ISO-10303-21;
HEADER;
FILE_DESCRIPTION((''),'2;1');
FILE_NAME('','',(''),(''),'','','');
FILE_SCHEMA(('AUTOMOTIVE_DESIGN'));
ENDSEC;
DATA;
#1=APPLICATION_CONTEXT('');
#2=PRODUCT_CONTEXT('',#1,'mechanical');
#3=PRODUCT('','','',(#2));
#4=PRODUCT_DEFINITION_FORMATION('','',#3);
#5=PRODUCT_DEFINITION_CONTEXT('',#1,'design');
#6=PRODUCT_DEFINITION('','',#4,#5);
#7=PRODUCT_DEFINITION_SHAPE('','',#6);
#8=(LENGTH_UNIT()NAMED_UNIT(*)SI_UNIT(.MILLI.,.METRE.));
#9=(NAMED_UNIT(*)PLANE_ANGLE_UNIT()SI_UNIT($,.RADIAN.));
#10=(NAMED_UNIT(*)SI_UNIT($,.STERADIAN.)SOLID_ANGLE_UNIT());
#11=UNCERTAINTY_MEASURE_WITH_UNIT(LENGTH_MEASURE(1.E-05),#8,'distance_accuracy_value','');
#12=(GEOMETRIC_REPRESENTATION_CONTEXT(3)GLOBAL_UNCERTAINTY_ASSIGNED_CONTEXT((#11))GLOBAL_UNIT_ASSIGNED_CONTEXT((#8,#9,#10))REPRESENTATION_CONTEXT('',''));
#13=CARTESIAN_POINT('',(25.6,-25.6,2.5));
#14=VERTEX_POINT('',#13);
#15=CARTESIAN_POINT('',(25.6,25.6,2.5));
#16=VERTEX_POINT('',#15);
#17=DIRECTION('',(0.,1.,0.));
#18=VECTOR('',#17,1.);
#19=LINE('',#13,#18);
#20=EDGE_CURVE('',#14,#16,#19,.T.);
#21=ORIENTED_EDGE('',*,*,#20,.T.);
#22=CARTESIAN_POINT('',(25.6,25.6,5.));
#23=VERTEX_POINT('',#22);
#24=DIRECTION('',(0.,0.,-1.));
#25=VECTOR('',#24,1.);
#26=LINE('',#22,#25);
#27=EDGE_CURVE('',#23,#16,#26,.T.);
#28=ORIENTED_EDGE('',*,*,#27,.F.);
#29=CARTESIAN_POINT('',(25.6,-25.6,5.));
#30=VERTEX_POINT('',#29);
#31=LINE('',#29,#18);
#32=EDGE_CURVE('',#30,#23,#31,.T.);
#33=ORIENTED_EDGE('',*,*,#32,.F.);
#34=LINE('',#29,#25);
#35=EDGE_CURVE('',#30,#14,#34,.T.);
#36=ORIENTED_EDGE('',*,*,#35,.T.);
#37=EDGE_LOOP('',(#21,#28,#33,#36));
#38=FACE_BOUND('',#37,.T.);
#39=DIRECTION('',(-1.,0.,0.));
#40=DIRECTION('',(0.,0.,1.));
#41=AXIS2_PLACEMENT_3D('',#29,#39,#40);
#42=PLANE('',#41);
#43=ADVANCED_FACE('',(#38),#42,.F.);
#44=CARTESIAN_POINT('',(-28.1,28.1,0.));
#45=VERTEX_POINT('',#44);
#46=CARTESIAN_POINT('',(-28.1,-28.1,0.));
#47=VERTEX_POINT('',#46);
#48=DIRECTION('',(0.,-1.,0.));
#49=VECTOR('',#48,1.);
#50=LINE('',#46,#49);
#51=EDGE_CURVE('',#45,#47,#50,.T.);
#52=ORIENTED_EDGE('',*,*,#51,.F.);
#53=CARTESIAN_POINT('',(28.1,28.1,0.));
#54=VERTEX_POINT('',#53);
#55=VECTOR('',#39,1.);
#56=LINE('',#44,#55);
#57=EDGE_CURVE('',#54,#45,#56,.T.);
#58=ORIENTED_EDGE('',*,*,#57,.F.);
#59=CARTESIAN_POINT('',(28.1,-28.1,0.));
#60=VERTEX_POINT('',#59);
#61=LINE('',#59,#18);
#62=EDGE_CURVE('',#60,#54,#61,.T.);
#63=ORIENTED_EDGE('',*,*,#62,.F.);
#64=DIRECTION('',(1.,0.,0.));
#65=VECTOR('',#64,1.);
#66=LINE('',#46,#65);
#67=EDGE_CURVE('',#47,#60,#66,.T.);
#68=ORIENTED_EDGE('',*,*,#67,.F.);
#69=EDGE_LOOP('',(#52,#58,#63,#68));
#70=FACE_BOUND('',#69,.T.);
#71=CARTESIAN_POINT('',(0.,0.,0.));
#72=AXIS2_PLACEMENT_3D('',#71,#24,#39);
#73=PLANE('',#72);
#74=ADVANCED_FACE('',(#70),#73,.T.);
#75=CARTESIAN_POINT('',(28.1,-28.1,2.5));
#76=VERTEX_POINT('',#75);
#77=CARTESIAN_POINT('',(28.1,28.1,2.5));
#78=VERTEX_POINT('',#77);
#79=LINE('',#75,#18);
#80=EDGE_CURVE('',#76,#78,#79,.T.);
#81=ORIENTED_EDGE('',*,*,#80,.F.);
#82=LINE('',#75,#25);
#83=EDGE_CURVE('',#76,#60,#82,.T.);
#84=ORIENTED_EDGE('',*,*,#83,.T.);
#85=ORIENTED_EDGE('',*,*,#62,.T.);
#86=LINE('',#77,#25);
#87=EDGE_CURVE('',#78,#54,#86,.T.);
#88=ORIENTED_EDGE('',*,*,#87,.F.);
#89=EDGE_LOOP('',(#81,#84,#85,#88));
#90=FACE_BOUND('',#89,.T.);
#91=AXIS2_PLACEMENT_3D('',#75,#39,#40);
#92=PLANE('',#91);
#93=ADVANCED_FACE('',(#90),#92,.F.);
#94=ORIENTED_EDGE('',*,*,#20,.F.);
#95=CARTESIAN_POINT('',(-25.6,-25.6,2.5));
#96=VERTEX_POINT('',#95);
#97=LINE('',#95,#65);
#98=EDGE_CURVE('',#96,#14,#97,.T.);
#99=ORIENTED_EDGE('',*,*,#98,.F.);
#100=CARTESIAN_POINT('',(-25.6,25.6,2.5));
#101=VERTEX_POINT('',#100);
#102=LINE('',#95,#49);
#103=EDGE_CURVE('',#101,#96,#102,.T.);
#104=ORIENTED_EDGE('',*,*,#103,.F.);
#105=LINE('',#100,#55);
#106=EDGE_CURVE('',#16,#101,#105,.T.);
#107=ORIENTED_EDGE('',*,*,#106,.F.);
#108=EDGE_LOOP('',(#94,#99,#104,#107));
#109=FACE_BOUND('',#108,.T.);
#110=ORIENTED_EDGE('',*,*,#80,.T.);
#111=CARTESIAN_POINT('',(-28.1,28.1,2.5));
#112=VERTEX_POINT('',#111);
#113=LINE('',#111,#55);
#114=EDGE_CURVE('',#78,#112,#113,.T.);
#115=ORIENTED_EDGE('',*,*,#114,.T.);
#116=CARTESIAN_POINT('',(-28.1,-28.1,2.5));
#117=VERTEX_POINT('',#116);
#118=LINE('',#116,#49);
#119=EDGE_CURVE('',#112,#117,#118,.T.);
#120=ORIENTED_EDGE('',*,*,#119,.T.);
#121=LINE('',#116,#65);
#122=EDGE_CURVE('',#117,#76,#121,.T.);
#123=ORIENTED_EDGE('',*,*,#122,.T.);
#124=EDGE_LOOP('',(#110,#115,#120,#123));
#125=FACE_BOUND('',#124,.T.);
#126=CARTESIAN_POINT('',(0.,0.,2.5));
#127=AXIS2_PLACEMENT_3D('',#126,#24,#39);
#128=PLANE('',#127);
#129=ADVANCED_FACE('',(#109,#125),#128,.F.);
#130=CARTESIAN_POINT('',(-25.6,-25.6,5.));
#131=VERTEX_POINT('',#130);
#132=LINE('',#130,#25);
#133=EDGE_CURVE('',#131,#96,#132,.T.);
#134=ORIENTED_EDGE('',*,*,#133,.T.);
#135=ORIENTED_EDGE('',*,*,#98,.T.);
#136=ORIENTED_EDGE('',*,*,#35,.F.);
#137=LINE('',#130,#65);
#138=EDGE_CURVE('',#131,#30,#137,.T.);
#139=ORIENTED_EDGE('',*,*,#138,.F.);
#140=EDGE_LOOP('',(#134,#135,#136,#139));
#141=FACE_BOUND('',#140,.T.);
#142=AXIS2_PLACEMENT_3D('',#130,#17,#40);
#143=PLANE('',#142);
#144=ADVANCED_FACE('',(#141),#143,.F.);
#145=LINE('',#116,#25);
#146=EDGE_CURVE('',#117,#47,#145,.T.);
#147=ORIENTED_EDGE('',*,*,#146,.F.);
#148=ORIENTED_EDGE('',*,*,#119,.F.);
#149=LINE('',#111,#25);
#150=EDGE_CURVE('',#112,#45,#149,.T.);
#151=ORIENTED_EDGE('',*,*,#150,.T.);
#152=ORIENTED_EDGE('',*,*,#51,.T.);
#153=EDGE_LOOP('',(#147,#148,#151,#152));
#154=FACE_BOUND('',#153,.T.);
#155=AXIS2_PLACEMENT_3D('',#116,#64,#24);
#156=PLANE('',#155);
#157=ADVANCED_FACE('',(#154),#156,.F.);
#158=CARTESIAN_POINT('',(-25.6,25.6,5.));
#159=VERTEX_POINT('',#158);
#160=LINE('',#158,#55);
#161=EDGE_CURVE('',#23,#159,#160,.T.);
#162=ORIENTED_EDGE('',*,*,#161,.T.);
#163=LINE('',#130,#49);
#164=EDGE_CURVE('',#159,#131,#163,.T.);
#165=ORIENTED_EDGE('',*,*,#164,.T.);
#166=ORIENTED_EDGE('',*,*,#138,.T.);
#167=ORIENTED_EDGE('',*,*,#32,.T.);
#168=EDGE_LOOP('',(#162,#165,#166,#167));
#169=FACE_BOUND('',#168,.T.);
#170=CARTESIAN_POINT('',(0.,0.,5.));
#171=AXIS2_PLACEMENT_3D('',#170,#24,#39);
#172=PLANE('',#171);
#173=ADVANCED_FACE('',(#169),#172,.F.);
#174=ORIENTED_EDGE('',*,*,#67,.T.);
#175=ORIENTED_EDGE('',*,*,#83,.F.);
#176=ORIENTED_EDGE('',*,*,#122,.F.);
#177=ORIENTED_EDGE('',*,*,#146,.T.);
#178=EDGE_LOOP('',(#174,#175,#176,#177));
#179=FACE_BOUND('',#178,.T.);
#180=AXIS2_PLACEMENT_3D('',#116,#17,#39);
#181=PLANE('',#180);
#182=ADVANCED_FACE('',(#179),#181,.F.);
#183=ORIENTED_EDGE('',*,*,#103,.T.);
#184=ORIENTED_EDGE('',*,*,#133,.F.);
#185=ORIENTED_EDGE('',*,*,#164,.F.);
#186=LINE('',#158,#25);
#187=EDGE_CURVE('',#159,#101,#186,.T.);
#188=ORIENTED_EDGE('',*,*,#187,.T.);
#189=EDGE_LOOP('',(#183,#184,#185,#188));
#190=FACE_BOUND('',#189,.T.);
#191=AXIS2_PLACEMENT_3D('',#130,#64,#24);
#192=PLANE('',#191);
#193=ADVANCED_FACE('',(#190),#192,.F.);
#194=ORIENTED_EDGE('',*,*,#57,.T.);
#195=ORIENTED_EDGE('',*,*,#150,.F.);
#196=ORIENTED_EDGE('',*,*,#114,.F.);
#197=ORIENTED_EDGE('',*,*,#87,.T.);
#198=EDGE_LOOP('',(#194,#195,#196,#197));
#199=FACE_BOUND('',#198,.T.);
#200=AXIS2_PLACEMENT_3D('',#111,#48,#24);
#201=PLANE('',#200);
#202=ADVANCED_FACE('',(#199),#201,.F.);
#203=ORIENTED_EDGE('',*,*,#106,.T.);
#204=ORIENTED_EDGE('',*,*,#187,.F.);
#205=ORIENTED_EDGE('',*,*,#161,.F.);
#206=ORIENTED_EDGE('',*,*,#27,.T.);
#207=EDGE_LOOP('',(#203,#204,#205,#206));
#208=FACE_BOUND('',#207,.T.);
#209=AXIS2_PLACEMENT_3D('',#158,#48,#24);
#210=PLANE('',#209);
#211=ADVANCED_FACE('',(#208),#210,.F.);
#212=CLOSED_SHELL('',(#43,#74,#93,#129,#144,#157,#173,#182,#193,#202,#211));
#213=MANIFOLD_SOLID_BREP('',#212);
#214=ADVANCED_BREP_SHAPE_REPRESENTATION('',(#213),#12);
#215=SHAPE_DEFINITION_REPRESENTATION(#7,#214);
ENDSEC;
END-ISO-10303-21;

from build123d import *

# Parameters (mm, degrees)
SKETCH2_W           = 56.2
SKETCH2_H           = 56.2
BOSS_EXTRUDE1_DEPTH = 2.5
SKETCH3_W           = 51.2
SKETCH3_H           = 51.2
BOSS_EXTRUDE2_DEPTH = 2.5


with BuildPart() as part:
    # Sketch2 → Boss-Extrude1 (new body)
    with BuildSketch(Plane.XY):
        Rectangle(SKETCH2_W, SKETCH2_H)
    extrude(amount=BOSS_EXTRUDE1_DEPTH)

    # Sketch3 → Boss-Extrude2 (add)
    with BuildSketch(Plane.XY.offset(2.5)):
        Rectangle(SKETCH3_W, SKETCH3_H)
    extrude(amount=BOSS_EXTRUDE2_DEPTH)


solid = part.part
